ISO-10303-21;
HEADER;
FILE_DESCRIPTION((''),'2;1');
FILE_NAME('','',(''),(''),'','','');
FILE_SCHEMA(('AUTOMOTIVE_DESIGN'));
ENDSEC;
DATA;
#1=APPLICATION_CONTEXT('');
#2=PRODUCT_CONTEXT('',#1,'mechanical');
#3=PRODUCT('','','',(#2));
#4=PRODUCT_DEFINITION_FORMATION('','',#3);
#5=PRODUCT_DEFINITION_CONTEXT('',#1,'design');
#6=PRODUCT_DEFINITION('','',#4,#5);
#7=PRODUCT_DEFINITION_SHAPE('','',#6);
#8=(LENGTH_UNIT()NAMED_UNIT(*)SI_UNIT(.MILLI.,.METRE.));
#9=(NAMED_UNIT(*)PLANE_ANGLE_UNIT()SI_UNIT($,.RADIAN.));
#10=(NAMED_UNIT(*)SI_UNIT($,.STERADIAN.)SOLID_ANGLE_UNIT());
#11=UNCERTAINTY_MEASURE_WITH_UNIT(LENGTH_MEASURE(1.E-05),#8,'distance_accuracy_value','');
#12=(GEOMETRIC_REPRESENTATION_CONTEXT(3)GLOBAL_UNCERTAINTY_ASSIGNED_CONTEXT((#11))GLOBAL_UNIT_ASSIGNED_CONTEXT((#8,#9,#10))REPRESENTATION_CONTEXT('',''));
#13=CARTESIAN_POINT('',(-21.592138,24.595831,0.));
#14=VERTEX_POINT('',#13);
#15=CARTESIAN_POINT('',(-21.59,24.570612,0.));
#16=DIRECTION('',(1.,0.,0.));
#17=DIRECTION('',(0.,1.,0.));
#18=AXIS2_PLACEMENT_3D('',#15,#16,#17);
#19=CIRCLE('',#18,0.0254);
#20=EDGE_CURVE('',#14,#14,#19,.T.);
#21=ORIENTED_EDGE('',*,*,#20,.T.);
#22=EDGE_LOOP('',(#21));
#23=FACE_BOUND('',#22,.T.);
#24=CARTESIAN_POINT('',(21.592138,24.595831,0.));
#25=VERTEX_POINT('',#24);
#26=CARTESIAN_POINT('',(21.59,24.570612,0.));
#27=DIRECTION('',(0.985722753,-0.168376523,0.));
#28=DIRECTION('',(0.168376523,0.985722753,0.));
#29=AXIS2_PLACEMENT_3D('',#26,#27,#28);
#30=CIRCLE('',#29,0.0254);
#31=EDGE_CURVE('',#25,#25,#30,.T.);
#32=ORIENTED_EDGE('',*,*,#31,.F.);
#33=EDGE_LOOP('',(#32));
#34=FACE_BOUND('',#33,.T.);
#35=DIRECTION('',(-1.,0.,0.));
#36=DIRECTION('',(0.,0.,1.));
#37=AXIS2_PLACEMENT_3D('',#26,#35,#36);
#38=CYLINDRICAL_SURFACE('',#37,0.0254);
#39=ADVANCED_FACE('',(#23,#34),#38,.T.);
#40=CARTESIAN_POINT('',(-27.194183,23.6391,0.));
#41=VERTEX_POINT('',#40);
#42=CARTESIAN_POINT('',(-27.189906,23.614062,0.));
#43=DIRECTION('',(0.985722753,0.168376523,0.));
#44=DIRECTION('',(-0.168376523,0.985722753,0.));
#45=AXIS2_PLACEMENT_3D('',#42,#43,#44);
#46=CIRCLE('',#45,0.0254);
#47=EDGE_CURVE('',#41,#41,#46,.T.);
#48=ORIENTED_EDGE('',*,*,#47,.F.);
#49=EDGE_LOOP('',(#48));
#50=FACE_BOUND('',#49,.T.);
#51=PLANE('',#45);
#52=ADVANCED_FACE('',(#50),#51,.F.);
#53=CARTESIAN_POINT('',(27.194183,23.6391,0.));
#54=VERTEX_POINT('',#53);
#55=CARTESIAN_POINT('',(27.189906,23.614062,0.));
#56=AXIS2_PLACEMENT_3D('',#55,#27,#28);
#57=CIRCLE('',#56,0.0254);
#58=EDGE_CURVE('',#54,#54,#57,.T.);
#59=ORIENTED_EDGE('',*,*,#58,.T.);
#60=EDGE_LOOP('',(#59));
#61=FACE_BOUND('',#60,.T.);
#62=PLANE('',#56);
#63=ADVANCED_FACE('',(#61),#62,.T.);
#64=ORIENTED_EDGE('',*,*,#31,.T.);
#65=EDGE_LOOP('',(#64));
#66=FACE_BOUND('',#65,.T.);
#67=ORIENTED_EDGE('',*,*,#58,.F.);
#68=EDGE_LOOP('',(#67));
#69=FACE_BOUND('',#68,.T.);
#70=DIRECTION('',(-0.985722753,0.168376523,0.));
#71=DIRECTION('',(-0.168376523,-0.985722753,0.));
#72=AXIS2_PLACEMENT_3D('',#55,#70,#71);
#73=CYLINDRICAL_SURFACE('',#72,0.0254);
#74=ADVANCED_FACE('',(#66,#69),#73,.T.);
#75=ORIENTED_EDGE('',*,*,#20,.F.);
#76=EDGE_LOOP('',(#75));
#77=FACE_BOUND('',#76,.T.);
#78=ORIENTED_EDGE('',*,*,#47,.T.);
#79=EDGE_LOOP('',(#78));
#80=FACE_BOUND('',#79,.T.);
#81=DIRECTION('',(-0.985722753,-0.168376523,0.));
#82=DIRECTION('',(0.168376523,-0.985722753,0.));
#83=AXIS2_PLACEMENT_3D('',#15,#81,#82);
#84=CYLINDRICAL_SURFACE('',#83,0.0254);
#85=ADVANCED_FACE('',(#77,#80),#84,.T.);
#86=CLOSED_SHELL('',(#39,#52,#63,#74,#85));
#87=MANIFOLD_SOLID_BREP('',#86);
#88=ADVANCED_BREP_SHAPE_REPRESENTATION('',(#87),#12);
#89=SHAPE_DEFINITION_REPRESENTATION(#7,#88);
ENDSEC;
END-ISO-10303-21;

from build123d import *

# Parameters (mm, degrees)
SWEEP1_PROFILE_R = 0.0254


with BuildPart() as part:
    # Sweep1: sweep along a path in Sketch1
    with BuildLine(Plane.XY) as sweep1_path:
        Line((27.18990625, 23.6140625), (21.59, 24.570612141))
        Line((21.59, 24.570612141), (-21.59, 24.570612141))
        Line((-21.59, 24.570612141), (-27.18990625, 23.6140625))
    # Sweep1 profile (on start of the path) → Sweep1 (sweep)
    with BuildSketch(Plane(origin=(27.18990625, 23.6140625, 0), x_dir=(-0.16837652342244658, -0.9857227532933235, 0), z_dir=(-0.9857227532933235, 0.16837652342244658, 0))):
        Circle(SWEEP1_PROFILE_R)
    sweep(path=sweep1_path.line, transition=Transition.RIGHT)


solid = part.part
